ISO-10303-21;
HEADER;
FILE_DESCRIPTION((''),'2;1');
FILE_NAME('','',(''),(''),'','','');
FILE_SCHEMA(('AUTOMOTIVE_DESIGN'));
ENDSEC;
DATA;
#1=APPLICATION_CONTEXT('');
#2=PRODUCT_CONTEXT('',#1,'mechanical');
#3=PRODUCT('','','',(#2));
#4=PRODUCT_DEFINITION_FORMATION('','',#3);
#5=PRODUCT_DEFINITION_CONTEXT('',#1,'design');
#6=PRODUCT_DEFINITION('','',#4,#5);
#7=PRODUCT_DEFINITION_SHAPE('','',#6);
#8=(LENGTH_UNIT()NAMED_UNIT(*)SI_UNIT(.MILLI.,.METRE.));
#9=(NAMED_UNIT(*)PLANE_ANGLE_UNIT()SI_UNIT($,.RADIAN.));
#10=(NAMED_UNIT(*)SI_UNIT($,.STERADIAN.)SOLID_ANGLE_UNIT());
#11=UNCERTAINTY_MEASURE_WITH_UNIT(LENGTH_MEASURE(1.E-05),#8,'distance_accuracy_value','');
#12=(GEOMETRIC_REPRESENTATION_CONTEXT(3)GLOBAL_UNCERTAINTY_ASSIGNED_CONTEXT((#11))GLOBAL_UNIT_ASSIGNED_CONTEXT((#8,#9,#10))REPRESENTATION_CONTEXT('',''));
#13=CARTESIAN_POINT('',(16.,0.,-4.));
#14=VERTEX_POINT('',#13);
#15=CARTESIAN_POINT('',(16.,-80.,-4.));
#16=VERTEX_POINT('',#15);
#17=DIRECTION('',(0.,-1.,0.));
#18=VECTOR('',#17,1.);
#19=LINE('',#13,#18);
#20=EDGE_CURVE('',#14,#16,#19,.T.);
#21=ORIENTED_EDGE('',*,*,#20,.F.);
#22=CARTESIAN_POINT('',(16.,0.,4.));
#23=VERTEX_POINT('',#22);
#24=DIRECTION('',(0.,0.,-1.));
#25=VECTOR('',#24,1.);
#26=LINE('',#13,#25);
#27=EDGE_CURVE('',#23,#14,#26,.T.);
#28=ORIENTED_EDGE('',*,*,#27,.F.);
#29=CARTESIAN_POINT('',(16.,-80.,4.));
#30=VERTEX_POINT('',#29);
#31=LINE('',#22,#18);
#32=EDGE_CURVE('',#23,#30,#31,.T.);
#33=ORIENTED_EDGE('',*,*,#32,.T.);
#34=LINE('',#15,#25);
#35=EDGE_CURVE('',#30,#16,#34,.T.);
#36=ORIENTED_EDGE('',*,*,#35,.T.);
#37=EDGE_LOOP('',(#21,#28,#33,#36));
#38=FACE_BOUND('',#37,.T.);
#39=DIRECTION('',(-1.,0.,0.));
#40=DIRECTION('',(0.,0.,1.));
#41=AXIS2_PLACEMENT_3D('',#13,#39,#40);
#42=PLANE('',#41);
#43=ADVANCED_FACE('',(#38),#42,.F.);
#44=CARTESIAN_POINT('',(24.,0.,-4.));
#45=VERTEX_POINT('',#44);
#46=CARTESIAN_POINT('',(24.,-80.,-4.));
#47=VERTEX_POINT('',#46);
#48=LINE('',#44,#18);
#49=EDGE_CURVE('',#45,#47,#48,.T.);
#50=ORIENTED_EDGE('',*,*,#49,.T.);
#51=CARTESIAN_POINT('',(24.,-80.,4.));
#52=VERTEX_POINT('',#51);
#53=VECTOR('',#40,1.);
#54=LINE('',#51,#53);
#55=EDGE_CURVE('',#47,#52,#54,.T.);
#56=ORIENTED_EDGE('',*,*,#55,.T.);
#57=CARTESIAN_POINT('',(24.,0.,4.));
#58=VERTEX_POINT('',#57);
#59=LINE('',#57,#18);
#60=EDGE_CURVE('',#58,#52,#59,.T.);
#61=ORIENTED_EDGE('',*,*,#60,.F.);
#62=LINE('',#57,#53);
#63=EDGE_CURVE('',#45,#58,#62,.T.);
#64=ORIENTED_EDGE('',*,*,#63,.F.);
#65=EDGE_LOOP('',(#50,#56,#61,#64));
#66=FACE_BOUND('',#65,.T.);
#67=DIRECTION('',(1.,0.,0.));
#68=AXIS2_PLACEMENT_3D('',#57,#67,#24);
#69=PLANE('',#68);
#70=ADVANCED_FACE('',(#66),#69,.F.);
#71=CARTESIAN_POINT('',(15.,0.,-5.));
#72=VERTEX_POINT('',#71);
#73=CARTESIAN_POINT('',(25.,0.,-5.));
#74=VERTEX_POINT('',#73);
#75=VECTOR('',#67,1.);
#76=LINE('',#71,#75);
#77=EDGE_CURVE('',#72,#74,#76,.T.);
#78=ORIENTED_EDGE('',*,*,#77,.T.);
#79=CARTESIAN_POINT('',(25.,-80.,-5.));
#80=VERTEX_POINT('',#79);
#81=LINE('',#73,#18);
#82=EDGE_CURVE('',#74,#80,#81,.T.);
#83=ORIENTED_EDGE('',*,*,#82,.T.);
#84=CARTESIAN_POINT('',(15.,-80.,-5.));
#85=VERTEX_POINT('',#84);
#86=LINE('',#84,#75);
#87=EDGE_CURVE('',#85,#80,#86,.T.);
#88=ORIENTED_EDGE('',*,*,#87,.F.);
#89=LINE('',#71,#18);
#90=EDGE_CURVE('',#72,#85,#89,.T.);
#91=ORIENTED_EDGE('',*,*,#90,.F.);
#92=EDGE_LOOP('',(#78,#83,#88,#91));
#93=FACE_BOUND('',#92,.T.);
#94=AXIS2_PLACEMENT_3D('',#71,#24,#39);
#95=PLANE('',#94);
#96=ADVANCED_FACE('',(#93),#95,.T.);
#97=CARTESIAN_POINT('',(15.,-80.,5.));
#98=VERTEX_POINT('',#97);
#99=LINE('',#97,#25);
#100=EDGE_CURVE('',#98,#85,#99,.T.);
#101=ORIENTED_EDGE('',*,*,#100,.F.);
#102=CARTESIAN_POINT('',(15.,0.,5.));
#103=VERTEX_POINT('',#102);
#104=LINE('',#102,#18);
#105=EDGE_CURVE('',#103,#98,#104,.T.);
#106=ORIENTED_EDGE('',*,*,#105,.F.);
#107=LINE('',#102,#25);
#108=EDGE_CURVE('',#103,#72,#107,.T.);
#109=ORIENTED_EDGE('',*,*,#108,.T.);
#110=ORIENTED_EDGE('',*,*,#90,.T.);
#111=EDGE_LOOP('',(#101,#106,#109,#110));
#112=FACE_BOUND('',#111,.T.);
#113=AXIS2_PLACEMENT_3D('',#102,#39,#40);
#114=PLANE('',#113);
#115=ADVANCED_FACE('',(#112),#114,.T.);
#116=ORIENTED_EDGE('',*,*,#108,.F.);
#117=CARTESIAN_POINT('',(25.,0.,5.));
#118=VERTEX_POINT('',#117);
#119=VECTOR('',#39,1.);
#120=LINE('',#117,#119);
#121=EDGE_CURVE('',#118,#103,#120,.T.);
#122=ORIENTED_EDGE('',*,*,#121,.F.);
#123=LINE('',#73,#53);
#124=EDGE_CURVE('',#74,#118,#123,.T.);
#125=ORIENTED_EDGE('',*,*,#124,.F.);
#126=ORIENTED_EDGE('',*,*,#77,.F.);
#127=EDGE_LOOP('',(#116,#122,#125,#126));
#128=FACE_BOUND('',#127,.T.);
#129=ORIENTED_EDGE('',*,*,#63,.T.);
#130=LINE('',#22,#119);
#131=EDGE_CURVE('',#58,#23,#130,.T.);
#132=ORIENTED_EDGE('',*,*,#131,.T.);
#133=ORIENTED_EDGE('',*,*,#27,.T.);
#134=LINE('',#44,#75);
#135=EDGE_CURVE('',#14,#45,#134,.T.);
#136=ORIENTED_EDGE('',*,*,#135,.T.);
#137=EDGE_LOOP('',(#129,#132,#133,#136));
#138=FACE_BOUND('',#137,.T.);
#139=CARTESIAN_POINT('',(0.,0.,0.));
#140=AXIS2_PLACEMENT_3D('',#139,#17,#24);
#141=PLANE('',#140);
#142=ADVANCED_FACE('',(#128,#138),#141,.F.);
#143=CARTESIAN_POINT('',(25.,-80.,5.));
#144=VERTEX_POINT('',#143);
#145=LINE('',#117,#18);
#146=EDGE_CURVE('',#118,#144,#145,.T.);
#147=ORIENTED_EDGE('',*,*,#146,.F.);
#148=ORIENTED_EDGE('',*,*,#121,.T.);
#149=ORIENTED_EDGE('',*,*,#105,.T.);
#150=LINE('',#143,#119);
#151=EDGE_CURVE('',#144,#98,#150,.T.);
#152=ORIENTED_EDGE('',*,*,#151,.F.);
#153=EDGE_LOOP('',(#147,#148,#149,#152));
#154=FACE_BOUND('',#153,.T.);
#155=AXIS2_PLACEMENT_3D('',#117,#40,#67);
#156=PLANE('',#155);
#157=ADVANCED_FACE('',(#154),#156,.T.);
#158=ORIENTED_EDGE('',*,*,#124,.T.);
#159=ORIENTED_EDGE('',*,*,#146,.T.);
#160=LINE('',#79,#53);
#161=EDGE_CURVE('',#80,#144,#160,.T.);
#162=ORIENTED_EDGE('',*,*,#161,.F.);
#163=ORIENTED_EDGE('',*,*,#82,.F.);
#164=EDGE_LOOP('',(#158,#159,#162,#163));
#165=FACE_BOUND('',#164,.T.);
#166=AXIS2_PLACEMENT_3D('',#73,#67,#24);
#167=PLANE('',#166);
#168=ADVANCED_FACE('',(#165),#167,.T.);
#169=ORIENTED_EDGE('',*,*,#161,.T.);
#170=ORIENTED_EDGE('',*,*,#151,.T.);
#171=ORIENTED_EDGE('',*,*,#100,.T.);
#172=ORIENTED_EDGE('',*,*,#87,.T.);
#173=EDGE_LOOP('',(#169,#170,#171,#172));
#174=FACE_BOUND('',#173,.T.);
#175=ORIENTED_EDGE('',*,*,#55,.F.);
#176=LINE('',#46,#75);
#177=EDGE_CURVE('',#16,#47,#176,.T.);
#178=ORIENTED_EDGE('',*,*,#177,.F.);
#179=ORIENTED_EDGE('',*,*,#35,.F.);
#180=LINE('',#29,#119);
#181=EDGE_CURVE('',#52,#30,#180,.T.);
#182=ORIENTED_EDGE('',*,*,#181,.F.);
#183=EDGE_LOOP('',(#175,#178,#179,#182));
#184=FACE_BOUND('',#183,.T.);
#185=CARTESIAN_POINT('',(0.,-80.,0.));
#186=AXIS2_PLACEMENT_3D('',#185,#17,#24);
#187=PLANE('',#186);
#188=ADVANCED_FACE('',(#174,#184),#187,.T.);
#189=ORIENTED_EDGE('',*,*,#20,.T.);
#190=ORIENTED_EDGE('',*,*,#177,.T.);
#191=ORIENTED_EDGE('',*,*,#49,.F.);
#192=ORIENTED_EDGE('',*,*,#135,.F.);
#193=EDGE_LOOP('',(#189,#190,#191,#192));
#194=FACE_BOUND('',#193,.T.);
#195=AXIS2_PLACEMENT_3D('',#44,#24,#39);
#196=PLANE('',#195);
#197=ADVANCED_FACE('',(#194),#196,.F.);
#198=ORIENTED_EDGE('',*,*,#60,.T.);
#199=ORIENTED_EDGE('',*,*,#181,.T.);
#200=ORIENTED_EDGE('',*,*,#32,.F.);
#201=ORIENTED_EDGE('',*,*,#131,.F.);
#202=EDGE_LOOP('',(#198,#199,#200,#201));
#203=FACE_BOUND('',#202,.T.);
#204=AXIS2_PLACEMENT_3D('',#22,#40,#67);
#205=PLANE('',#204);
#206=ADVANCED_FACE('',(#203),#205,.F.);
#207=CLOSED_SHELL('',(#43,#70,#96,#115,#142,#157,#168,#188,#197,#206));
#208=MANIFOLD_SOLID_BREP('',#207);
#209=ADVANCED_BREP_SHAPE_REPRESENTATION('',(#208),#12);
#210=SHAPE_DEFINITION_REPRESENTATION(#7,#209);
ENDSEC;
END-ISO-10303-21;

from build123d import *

# Parameters (mm, degrees)
SKETCH_1_W      = 10
SKETCH_1_H      = 10
SKETCH_1_W_2    = 8
SKETCH_1_H_2    = 8
EXTRUDE_1_DEPTH = 80


with BuildPart() as part:
    # 草图1 → 凸台-拉伸1 (new body)
    with BuildSketch(Plane.XZ.offset(80)):
        with Locations((20, 0)):
            Rectangle(SKETCH_1_W, SKETCH_1_H)
        with Locations((20, 0)):
            Rectangle(SKETCH_1_W_2, SKETCH_1_H_2, mode=Mode.SUBTRACT)
    extrude(amount=-EXTRUDE_1_DEPTH)


solid = part.part
